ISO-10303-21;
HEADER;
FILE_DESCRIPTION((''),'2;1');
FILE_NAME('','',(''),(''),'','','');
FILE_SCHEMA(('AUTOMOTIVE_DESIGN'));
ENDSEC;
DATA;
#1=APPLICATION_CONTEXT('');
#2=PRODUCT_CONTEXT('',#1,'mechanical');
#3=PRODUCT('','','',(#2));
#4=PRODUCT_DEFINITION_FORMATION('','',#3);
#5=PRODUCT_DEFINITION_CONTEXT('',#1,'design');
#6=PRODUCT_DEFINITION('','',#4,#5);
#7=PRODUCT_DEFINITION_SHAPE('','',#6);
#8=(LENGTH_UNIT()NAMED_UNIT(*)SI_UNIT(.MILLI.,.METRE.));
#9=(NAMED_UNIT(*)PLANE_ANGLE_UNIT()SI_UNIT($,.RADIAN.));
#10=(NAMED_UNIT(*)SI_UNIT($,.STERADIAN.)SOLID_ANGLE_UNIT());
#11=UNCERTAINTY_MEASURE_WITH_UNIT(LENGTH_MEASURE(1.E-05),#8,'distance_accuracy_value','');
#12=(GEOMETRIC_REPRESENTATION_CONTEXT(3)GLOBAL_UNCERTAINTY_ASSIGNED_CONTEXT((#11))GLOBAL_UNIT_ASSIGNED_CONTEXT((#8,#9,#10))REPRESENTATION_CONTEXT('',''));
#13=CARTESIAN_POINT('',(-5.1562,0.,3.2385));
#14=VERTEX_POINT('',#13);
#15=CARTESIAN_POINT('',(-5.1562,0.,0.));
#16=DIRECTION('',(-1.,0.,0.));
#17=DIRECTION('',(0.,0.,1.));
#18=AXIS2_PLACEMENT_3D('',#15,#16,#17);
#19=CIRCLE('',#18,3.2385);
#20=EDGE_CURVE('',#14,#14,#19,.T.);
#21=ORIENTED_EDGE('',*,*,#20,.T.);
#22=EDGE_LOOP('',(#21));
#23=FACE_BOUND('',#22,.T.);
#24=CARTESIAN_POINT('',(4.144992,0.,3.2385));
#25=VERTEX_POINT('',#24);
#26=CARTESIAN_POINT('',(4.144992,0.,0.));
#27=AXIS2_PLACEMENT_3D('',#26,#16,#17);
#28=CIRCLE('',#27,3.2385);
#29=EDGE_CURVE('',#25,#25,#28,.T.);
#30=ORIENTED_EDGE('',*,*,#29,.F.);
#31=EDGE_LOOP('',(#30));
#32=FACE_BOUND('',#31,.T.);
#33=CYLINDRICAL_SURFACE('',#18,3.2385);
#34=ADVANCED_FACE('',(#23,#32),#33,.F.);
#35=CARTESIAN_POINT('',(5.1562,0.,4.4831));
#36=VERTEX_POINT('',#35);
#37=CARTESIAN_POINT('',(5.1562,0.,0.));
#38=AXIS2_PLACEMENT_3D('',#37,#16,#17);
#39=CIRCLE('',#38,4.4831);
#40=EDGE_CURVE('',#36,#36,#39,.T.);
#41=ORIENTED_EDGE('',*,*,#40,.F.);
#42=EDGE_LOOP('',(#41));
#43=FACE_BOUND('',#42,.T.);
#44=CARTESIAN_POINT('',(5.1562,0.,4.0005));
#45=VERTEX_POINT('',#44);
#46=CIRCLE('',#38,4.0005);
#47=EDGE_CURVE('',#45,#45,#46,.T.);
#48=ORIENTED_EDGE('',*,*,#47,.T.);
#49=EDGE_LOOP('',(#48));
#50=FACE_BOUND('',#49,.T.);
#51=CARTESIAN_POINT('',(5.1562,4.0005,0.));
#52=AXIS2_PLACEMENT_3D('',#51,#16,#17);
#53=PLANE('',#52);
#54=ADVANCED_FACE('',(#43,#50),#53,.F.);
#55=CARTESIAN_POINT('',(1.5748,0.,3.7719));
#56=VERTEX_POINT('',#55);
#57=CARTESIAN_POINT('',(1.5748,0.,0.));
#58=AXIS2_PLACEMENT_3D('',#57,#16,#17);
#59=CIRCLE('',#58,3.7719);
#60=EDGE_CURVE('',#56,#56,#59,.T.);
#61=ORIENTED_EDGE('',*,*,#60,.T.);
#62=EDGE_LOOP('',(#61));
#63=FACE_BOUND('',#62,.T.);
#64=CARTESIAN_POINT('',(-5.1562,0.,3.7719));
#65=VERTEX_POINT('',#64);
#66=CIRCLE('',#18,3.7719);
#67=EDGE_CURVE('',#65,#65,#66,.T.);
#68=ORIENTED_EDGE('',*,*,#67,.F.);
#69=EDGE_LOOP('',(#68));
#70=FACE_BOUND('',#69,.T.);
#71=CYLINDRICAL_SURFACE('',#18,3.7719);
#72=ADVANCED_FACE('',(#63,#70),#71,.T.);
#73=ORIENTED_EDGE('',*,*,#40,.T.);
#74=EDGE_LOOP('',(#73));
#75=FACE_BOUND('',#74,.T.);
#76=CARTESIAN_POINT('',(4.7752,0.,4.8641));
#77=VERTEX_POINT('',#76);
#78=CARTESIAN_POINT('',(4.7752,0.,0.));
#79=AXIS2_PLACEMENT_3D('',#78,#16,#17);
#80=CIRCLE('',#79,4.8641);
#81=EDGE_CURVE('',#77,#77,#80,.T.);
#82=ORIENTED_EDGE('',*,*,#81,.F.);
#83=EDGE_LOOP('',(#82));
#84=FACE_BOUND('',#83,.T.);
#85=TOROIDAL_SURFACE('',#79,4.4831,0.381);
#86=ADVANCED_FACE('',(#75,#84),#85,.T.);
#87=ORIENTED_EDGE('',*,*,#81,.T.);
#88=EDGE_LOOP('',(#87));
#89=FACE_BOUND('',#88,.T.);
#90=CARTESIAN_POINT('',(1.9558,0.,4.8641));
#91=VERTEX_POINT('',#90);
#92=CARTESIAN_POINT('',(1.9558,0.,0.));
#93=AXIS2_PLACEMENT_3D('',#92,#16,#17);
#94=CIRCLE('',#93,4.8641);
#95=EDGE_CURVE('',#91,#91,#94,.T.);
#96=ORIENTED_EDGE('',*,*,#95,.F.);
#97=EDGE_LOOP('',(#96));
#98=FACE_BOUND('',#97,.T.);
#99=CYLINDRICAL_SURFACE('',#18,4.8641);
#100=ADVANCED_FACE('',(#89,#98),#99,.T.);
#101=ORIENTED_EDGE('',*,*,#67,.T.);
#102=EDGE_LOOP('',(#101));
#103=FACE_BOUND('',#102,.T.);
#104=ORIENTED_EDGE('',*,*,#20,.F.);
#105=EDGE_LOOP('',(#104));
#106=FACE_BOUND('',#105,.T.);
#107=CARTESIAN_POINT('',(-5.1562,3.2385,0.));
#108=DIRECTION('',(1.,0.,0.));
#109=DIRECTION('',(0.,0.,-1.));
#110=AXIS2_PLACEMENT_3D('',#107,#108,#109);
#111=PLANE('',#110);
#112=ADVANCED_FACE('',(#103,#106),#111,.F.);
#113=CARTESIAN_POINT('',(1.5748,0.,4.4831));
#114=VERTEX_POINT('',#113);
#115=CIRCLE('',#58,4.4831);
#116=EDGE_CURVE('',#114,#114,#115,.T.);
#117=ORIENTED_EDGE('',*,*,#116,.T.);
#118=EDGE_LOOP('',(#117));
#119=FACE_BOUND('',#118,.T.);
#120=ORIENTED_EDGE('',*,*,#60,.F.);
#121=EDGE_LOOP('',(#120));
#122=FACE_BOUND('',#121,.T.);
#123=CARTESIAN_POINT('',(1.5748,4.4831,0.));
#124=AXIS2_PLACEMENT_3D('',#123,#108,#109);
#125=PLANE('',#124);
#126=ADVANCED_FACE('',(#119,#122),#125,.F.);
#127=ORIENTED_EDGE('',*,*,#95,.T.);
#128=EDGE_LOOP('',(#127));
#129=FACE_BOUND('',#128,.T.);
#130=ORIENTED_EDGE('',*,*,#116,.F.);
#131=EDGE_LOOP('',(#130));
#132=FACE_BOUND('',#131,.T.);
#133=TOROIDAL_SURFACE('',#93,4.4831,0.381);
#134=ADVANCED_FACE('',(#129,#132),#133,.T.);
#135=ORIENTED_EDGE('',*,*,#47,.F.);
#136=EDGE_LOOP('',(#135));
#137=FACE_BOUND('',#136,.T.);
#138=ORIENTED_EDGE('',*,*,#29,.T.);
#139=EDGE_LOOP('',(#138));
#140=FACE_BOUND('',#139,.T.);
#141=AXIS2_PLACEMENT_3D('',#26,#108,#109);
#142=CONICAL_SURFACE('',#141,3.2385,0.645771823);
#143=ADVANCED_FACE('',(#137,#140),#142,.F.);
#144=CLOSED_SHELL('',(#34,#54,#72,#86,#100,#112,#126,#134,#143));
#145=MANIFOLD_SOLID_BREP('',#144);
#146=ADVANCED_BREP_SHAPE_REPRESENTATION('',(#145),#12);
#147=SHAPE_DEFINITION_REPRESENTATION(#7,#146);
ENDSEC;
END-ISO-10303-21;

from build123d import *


with BuildPart() as part:
    # Sketch1 → Revolve1 (revolve)
    with BuildSketch(Plane.XY):
        with BuildLine():
            Line((-5.1562, 3.2385), (4.144991846, 3.2385))
            Line((4.144991846, 3.2385), (5.1562, 4.0005))
            Line((5.1562, 4.0005), (5.1562, 4.4831))
            ThreePointArc((5.1562, 4.4831), (5.044607684, 4.752507684), (4.7752, 4.8641))
            Line((4.7752, 4.8641), (1.9558, 4.8641))
            ThreePointArc((1.9558, 4.8641), (1.686392316, 4.752507684), (1.5748, 4.4831))
            Line((1.5748, 4.4831), (1.5748, 3.7719))
            Line((1.5748, 3.7719), (-5.1562, 3.7719))
            Line((-5.1562, 3.7719), (-5.1562, 3.2385))
        make_face()
    revolve(axis=Axis((-5.1562, 0, 0), (1, 0, 0)))


solid = part.part
